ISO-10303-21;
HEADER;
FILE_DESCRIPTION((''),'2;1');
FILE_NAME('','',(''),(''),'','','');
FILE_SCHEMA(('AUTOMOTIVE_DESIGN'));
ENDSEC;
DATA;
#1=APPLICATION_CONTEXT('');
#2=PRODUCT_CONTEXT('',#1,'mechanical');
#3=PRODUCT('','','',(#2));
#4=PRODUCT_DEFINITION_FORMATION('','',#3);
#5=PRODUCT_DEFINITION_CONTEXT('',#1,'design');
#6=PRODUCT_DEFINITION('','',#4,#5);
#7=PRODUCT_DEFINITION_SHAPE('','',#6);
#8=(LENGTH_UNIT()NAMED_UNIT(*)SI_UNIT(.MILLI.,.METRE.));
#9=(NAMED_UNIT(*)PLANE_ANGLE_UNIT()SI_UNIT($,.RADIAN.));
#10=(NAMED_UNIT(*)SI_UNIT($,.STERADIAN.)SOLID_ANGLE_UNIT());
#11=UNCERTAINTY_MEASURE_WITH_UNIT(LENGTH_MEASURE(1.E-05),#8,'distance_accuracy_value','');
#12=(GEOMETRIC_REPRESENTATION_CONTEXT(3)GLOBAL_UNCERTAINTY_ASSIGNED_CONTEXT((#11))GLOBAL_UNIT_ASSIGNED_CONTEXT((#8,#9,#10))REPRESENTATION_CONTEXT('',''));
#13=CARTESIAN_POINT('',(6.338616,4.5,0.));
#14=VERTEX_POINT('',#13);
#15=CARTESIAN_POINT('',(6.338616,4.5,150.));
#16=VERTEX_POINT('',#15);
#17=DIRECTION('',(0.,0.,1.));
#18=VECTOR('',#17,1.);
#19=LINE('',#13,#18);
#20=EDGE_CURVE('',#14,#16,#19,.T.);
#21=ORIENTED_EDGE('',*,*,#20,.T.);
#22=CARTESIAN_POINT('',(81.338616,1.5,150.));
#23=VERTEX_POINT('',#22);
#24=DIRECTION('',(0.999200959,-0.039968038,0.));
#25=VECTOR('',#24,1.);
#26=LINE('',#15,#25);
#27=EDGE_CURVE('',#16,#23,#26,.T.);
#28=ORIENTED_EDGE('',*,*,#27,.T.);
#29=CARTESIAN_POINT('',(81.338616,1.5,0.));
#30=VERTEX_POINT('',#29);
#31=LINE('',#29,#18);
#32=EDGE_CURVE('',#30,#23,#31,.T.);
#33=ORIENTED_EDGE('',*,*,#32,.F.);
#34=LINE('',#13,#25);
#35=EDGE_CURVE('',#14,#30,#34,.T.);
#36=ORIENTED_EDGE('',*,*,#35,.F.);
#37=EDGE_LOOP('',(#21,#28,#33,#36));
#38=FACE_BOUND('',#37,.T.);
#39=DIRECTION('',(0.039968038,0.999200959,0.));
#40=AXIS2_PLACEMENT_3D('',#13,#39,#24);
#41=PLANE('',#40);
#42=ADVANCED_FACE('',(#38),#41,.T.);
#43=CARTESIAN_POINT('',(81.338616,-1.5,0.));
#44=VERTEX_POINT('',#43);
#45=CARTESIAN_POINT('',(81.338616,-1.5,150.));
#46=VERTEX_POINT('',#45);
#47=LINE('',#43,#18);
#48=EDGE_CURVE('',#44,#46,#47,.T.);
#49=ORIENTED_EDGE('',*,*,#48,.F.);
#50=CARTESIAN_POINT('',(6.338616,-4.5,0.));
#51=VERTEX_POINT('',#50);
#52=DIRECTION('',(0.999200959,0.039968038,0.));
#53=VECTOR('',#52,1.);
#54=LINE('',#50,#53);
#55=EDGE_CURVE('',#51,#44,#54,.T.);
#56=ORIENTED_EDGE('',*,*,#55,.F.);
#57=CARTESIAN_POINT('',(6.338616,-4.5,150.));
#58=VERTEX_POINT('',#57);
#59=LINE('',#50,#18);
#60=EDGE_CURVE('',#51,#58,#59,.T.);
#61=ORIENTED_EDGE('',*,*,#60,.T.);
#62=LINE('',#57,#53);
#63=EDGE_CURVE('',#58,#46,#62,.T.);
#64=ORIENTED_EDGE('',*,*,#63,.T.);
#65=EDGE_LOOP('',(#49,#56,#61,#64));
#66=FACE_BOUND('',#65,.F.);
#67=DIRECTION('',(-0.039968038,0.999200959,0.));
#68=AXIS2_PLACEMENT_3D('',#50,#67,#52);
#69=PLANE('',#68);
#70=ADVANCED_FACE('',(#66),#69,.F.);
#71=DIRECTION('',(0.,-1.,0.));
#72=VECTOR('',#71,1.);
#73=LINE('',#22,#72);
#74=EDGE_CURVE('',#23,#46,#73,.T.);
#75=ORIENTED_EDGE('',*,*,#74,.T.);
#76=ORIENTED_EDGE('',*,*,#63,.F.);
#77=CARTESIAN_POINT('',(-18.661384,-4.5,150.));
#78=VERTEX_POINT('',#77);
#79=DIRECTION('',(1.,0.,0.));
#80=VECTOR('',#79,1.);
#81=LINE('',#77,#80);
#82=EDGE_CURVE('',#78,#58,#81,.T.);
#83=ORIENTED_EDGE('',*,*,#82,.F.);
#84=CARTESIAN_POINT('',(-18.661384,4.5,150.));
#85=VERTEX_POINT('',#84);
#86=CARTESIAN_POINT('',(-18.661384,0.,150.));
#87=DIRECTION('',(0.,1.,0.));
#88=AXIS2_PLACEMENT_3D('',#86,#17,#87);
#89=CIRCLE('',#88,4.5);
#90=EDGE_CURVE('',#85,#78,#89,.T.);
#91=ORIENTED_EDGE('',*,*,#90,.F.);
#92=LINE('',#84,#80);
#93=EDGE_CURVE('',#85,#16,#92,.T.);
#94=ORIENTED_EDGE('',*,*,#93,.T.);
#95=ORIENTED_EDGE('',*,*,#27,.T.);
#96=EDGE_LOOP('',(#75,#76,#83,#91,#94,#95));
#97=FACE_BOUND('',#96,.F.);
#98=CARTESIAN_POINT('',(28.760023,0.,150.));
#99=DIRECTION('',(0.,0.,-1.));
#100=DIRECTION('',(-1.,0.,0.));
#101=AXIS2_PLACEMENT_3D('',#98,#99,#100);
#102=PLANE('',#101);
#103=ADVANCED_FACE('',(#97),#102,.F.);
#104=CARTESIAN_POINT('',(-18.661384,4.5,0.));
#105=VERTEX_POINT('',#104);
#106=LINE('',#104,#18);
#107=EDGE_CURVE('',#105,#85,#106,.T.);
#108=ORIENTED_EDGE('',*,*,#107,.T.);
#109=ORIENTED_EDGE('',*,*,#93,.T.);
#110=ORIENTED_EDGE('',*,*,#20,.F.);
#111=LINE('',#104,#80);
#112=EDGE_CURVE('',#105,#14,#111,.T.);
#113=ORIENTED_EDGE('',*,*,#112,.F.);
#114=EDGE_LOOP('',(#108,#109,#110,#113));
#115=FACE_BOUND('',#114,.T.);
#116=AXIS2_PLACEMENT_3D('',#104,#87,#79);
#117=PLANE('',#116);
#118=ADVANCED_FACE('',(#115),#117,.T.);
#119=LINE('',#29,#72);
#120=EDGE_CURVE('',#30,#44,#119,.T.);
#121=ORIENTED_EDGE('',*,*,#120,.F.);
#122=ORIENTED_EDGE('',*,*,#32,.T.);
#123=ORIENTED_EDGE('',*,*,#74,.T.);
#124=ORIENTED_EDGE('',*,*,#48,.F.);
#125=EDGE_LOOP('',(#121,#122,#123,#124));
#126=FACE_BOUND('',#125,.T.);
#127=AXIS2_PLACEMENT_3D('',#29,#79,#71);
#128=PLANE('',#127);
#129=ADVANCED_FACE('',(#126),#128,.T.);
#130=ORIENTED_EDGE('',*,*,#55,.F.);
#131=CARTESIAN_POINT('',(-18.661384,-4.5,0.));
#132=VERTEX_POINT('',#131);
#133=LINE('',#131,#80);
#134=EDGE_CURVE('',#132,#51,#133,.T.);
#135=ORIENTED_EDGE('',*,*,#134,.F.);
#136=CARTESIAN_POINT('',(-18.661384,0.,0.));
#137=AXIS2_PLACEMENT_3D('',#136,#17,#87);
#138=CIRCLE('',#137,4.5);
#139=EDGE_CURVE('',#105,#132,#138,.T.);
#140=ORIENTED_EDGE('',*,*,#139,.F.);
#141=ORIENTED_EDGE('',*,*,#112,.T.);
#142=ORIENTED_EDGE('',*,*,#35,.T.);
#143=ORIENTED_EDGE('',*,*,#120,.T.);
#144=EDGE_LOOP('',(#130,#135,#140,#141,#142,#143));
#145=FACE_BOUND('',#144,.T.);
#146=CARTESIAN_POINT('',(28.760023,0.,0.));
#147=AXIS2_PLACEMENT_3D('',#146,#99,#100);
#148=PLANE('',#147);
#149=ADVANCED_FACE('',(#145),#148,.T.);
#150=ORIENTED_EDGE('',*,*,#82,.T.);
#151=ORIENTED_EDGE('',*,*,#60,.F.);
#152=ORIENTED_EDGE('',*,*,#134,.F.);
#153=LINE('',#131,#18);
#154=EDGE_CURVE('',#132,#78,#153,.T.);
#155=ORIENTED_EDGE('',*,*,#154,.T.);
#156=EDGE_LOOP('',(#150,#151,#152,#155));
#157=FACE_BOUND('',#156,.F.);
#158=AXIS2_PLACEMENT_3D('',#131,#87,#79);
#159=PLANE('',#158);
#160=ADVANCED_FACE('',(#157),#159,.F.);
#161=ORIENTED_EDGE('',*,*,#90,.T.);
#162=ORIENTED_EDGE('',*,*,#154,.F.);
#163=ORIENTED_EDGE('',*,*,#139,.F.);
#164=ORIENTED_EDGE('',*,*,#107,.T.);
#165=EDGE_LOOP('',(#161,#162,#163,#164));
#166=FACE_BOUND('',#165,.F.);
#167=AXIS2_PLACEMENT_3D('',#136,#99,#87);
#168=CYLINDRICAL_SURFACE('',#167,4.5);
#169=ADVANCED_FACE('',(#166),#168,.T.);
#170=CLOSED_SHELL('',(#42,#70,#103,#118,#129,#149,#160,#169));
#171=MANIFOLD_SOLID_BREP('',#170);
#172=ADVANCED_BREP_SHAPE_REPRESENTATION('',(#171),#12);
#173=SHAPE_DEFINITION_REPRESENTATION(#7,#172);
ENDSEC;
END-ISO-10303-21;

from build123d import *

# Parameters (mm, degrees)
PAD_DEPTH = 150


with BuildPart() as part:
    # Sketch → Pad (new body)
    with BuildSketch(Plane.XY):
        with BuildLine():
            Line((-18.661384, 4.5), (6.338616, 4.5))
            Line((6.338616, 4.5), (81.338616, 1.5))
            Line((81.338616, 1.5), (81.338616, -1.5))
            Line((6.338616, -4.5), (81.338616, -1.5))
            Line((-18.661384, -4.5), (6.338616, -4.5))
            ThreePointArc((-18.661384, 4.5), (-23.161384, 0), (-18.661384, -4.5))
        make_face()
    extrude(amount=PAD_DEPTH)


solid = part.part
